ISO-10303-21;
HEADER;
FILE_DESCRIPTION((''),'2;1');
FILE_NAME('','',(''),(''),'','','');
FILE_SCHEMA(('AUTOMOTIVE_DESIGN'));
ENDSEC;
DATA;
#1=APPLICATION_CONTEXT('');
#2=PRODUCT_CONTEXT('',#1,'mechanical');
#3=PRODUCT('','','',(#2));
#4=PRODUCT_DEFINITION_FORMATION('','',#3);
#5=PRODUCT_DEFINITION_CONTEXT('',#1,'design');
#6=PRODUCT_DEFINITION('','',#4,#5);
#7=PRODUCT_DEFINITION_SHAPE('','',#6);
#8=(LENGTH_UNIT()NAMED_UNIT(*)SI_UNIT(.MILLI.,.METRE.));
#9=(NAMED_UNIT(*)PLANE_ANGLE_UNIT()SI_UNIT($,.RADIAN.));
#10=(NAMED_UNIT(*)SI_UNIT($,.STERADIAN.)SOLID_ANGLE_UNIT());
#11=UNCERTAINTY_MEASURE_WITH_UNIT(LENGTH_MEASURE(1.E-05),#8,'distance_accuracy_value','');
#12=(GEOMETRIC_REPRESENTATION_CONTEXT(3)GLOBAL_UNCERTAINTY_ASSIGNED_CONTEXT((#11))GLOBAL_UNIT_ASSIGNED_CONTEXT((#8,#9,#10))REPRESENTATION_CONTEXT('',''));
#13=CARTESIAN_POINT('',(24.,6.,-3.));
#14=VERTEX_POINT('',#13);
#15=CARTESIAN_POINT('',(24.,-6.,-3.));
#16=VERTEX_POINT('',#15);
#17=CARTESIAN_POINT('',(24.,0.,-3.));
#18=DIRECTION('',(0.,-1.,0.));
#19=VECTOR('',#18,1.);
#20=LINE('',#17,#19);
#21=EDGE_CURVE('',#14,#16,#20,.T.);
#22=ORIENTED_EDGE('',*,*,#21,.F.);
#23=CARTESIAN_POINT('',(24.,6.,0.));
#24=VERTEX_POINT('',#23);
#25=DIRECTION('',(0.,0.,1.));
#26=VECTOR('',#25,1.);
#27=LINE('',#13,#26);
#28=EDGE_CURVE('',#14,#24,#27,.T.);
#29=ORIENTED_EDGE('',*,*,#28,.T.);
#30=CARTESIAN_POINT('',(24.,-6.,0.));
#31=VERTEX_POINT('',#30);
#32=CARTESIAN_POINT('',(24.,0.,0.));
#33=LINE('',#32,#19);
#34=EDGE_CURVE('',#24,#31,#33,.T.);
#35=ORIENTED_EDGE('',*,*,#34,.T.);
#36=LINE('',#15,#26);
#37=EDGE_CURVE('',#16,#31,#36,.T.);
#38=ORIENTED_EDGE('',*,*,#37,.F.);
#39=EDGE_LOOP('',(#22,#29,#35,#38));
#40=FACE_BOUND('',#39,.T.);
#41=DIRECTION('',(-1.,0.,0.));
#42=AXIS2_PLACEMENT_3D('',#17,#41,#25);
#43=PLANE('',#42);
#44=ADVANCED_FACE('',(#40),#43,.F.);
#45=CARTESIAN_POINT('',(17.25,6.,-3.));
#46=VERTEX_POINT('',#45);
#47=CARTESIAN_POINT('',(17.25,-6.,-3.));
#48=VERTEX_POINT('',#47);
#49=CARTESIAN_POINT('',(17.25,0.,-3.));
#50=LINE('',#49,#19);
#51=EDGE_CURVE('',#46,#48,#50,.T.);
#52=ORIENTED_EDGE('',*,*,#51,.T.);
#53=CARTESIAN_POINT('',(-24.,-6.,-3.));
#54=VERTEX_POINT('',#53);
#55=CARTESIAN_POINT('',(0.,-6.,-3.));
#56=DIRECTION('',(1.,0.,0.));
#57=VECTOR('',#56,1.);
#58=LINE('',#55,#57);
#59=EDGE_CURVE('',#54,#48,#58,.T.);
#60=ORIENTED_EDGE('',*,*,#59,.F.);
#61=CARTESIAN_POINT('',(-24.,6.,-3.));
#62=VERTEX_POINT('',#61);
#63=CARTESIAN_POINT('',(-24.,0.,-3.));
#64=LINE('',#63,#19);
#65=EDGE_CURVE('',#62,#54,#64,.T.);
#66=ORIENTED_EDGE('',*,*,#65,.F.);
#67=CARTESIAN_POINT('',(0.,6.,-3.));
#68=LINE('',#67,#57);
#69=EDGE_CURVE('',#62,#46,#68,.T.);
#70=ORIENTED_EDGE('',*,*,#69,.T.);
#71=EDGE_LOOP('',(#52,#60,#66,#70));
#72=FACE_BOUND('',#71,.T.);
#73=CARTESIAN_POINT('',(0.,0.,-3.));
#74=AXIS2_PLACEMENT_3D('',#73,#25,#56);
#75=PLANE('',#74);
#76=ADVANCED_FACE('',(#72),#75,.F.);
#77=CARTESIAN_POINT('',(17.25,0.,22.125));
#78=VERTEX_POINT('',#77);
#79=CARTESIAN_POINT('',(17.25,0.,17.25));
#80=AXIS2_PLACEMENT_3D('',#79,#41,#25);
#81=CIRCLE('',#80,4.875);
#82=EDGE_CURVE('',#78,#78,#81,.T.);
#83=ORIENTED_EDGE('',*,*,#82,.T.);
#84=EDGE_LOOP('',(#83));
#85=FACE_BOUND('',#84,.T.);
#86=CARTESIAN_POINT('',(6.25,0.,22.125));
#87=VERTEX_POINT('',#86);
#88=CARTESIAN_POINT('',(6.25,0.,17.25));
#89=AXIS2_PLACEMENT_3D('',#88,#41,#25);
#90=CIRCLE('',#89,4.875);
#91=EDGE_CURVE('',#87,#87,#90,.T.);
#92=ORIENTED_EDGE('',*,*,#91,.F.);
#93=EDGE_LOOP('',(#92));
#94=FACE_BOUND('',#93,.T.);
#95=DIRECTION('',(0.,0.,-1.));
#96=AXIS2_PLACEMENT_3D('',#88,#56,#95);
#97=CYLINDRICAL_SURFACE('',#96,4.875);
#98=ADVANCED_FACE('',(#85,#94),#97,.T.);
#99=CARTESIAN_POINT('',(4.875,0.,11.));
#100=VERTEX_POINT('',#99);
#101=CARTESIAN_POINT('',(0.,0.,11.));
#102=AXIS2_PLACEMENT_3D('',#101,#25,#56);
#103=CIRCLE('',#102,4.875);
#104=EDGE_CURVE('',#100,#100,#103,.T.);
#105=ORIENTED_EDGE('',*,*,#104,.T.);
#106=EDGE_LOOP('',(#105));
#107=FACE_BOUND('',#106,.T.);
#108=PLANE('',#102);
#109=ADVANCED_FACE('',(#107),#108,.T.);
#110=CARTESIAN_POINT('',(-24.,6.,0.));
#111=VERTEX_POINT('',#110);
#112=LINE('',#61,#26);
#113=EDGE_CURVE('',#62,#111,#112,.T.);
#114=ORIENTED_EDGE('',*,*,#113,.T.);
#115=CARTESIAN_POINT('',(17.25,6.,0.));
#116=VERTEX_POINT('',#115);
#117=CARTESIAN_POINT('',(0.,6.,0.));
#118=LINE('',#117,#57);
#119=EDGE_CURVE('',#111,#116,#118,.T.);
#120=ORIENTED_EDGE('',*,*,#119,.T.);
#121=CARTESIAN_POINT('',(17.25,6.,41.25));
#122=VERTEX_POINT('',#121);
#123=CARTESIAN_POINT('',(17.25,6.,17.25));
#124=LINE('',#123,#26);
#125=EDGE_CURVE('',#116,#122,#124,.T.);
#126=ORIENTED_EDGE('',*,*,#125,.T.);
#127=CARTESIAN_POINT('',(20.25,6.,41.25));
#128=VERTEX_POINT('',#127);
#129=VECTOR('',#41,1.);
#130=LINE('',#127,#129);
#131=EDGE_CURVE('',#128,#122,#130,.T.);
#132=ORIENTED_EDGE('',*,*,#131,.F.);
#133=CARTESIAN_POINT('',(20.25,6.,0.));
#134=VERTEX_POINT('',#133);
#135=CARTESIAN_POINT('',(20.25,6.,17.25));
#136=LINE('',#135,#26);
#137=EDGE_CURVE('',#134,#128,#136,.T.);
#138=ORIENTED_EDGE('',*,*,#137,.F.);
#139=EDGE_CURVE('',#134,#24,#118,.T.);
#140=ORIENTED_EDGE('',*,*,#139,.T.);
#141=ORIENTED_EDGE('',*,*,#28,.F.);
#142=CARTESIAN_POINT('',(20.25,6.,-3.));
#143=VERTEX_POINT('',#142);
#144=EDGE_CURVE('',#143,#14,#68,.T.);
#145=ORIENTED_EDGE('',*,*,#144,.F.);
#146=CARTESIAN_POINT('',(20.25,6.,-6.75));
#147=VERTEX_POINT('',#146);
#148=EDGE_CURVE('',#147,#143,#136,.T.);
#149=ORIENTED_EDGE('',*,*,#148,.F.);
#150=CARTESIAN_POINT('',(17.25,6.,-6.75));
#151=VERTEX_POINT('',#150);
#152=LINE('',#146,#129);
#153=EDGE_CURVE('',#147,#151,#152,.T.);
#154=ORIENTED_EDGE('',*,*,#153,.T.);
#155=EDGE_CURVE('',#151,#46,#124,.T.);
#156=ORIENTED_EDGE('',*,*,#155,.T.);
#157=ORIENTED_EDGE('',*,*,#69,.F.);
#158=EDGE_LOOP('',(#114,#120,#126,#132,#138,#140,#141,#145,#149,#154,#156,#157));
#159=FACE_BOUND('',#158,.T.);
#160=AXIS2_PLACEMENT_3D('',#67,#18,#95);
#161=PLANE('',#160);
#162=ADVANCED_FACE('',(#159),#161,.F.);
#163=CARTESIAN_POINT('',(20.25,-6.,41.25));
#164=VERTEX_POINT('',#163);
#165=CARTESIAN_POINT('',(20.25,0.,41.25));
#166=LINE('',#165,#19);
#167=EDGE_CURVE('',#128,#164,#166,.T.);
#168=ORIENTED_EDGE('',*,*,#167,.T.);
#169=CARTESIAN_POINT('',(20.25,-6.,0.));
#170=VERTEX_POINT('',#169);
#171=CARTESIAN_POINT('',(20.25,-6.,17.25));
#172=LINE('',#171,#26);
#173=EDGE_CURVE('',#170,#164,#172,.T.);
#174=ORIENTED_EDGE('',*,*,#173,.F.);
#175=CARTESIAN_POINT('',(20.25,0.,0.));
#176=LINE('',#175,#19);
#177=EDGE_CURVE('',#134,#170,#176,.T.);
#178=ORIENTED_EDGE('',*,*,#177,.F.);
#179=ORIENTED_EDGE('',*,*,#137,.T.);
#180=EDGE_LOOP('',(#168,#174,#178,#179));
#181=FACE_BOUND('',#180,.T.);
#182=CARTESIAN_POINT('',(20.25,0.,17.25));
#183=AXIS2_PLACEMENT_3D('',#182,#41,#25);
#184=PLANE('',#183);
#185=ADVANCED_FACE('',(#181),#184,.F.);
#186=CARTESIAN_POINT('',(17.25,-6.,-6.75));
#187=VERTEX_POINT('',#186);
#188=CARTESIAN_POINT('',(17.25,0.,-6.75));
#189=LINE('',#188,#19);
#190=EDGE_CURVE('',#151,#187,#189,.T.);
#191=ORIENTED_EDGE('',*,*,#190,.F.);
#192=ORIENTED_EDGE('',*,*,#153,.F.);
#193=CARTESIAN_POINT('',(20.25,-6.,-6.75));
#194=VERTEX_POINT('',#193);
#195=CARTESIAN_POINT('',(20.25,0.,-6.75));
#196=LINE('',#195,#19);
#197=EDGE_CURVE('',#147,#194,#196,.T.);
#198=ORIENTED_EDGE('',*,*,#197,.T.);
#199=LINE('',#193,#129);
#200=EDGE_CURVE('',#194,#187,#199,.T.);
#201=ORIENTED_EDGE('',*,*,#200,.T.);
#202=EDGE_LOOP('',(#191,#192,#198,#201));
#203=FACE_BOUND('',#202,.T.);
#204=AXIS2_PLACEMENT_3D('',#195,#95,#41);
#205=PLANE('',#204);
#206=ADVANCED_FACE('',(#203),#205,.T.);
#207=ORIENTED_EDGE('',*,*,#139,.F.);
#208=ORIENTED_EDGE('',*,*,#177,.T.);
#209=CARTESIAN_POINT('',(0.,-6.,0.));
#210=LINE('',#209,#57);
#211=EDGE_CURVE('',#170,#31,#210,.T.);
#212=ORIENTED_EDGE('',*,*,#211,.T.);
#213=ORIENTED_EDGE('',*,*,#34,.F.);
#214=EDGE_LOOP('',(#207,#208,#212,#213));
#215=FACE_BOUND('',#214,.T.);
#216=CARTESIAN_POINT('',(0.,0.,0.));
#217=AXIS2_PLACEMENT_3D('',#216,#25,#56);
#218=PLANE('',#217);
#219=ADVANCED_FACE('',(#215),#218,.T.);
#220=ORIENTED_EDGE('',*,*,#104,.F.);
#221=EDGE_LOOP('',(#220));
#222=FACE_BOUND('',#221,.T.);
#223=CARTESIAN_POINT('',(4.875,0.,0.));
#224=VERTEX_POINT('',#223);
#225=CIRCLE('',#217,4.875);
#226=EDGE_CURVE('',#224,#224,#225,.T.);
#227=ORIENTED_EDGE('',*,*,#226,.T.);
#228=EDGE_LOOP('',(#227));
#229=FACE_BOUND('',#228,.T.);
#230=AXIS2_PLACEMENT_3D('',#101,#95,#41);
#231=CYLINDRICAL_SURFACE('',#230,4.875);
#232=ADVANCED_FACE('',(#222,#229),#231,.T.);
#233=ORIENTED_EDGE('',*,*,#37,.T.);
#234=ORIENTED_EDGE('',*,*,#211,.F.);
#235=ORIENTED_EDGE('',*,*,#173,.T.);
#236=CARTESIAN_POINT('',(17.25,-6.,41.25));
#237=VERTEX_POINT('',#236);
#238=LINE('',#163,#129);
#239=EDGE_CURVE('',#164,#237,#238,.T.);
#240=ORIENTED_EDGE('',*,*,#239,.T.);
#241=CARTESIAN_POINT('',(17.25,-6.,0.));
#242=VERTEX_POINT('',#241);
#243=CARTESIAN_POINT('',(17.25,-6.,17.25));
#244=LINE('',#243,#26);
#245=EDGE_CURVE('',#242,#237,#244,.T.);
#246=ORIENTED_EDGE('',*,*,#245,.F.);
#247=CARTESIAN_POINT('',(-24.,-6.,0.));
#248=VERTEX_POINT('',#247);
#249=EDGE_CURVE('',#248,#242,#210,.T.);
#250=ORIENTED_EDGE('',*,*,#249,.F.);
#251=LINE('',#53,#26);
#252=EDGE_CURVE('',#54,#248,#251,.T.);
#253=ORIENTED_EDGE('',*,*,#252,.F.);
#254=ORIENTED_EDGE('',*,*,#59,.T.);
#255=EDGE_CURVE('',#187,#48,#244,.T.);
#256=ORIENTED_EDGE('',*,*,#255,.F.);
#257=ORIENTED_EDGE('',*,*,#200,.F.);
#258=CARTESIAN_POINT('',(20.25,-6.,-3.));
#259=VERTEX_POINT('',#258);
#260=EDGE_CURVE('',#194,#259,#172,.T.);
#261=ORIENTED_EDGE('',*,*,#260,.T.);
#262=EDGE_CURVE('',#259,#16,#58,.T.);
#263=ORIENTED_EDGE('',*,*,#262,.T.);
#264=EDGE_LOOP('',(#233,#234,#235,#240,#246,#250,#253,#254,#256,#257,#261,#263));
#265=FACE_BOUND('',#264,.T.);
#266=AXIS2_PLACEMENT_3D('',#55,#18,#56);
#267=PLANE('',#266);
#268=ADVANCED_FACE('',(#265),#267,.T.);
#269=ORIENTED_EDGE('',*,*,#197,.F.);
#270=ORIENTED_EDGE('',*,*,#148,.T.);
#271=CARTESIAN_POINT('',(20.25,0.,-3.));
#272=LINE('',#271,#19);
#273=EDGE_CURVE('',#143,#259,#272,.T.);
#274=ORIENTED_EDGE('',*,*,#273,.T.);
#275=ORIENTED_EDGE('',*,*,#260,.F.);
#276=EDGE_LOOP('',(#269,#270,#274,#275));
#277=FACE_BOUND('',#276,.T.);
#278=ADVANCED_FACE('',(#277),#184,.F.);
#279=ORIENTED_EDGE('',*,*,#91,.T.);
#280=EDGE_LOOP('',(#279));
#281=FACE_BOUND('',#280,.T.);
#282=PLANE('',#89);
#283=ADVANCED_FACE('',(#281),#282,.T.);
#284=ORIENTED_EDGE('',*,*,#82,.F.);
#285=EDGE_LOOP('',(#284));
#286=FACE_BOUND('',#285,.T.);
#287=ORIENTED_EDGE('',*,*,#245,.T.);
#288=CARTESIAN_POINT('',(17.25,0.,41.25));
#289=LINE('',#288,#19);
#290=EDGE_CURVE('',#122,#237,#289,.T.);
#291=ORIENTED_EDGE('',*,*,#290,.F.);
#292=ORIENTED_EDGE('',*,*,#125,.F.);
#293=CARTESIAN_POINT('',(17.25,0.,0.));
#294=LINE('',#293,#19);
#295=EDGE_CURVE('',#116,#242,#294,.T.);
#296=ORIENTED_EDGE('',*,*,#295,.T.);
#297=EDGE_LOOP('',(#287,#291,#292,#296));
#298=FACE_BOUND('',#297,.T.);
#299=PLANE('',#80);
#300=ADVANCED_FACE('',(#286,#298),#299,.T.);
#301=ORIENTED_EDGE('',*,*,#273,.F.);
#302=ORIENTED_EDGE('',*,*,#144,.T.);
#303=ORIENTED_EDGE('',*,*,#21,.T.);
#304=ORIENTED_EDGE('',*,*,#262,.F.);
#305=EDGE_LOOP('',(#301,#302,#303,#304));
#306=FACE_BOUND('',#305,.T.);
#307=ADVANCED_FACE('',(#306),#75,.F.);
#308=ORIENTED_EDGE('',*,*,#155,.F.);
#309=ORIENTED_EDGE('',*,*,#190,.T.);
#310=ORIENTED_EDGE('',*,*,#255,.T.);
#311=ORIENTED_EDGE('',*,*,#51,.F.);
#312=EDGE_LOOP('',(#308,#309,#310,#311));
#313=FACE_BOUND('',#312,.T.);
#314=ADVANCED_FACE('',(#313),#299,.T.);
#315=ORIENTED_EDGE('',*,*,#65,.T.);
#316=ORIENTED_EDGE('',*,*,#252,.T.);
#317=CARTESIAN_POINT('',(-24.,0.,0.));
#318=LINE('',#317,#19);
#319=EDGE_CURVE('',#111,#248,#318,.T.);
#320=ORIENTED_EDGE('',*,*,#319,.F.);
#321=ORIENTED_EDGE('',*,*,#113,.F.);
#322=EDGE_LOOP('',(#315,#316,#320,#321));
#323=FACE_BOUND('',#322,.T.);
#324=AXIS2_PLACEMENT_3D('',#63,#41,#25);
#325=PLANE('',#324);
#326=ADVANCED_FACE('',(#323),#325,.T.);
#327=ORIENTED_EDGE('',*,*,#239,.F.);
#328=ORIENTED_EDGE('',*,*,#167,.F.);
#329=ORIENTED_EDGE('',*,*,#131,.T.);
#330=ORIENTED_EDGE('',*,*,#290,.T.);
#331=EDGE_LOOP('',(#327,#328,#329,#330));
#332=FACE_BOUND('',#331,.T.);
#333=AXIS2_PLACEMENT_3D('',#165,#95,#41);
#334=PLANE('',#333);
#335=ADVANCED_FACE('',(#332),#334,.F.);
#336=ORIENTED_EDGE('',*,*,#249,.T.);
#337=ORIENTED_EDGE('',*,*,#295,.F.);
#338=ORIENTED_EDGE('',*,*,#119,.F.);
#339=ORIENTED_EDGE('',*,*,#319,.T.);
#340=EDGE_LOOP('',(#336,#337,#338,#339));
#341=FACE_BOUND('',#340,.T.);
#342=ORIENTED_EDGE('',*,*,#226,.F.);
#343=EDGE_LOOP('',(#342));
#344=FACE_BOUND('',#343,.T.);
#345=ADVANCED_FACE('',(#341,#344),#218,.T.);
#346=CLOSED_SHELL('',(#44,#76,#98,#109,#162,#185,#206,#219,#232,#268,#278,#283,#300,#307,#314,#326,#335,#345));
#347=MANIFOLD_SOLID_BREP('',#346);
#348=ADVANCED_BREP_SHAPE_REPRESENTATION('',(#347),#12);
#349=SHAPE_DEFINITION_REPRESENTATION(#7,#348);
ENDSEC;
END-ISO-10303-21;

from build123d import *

# Parameters (mm, degrees)
SKETCH1_W           = 48
SKETCH1_H           = 12
BOSS_EXTRUDE1_DEPTH = 3
SKETCH1_3_R         = 4.875
BOSS_EXTRUDE2_DEPTH = 11
CIRPATTERN2_COUNT   = 2
CIRPATTERN2_ANGLE   = 90


with BuildPart() as part:
    # Sketch1 → Boss-Extrude1 (new body)
    with BuildSketch(Plane.XY):
        Rectangle(SKETCH1_W, SKETCH1_H)
    boss_extrude1 = extrude(amount=-BOSS_EXTRUDE1_DEPTH)

    # Sketch1<3> → Boss-Extrude2 (add)
    with BuildSketch(Plane.XY):
        Circle(SKETCH1_3_R)
    boss_extrude2 = extrude(amount=BOSS_EXTRUDE2_DEPTH)

    # CirPattern2: Boss-Extrude1, Boss-Extrude2 ×2 about axis
    cirpattern2_axis = Axis((0, 55, 17.25), (0, -1, 0))
    add([boss_extrude1.rotate(cirpattern2_axis, i * CIRPATTERN2_ANGLE / (CIRPATTERN2_COUNT - 1)) for i in range(1, CIRPATTERN2_COUNT)])
    add([boss_extrude2.rotate(cirpattern2_axis, i * CIRPATTERN2_ANGLE / (CIRPATTERN2_COUNT - 1)) for i in range(1, CIRPATTERN2_COUNT)])


solid = part.part
